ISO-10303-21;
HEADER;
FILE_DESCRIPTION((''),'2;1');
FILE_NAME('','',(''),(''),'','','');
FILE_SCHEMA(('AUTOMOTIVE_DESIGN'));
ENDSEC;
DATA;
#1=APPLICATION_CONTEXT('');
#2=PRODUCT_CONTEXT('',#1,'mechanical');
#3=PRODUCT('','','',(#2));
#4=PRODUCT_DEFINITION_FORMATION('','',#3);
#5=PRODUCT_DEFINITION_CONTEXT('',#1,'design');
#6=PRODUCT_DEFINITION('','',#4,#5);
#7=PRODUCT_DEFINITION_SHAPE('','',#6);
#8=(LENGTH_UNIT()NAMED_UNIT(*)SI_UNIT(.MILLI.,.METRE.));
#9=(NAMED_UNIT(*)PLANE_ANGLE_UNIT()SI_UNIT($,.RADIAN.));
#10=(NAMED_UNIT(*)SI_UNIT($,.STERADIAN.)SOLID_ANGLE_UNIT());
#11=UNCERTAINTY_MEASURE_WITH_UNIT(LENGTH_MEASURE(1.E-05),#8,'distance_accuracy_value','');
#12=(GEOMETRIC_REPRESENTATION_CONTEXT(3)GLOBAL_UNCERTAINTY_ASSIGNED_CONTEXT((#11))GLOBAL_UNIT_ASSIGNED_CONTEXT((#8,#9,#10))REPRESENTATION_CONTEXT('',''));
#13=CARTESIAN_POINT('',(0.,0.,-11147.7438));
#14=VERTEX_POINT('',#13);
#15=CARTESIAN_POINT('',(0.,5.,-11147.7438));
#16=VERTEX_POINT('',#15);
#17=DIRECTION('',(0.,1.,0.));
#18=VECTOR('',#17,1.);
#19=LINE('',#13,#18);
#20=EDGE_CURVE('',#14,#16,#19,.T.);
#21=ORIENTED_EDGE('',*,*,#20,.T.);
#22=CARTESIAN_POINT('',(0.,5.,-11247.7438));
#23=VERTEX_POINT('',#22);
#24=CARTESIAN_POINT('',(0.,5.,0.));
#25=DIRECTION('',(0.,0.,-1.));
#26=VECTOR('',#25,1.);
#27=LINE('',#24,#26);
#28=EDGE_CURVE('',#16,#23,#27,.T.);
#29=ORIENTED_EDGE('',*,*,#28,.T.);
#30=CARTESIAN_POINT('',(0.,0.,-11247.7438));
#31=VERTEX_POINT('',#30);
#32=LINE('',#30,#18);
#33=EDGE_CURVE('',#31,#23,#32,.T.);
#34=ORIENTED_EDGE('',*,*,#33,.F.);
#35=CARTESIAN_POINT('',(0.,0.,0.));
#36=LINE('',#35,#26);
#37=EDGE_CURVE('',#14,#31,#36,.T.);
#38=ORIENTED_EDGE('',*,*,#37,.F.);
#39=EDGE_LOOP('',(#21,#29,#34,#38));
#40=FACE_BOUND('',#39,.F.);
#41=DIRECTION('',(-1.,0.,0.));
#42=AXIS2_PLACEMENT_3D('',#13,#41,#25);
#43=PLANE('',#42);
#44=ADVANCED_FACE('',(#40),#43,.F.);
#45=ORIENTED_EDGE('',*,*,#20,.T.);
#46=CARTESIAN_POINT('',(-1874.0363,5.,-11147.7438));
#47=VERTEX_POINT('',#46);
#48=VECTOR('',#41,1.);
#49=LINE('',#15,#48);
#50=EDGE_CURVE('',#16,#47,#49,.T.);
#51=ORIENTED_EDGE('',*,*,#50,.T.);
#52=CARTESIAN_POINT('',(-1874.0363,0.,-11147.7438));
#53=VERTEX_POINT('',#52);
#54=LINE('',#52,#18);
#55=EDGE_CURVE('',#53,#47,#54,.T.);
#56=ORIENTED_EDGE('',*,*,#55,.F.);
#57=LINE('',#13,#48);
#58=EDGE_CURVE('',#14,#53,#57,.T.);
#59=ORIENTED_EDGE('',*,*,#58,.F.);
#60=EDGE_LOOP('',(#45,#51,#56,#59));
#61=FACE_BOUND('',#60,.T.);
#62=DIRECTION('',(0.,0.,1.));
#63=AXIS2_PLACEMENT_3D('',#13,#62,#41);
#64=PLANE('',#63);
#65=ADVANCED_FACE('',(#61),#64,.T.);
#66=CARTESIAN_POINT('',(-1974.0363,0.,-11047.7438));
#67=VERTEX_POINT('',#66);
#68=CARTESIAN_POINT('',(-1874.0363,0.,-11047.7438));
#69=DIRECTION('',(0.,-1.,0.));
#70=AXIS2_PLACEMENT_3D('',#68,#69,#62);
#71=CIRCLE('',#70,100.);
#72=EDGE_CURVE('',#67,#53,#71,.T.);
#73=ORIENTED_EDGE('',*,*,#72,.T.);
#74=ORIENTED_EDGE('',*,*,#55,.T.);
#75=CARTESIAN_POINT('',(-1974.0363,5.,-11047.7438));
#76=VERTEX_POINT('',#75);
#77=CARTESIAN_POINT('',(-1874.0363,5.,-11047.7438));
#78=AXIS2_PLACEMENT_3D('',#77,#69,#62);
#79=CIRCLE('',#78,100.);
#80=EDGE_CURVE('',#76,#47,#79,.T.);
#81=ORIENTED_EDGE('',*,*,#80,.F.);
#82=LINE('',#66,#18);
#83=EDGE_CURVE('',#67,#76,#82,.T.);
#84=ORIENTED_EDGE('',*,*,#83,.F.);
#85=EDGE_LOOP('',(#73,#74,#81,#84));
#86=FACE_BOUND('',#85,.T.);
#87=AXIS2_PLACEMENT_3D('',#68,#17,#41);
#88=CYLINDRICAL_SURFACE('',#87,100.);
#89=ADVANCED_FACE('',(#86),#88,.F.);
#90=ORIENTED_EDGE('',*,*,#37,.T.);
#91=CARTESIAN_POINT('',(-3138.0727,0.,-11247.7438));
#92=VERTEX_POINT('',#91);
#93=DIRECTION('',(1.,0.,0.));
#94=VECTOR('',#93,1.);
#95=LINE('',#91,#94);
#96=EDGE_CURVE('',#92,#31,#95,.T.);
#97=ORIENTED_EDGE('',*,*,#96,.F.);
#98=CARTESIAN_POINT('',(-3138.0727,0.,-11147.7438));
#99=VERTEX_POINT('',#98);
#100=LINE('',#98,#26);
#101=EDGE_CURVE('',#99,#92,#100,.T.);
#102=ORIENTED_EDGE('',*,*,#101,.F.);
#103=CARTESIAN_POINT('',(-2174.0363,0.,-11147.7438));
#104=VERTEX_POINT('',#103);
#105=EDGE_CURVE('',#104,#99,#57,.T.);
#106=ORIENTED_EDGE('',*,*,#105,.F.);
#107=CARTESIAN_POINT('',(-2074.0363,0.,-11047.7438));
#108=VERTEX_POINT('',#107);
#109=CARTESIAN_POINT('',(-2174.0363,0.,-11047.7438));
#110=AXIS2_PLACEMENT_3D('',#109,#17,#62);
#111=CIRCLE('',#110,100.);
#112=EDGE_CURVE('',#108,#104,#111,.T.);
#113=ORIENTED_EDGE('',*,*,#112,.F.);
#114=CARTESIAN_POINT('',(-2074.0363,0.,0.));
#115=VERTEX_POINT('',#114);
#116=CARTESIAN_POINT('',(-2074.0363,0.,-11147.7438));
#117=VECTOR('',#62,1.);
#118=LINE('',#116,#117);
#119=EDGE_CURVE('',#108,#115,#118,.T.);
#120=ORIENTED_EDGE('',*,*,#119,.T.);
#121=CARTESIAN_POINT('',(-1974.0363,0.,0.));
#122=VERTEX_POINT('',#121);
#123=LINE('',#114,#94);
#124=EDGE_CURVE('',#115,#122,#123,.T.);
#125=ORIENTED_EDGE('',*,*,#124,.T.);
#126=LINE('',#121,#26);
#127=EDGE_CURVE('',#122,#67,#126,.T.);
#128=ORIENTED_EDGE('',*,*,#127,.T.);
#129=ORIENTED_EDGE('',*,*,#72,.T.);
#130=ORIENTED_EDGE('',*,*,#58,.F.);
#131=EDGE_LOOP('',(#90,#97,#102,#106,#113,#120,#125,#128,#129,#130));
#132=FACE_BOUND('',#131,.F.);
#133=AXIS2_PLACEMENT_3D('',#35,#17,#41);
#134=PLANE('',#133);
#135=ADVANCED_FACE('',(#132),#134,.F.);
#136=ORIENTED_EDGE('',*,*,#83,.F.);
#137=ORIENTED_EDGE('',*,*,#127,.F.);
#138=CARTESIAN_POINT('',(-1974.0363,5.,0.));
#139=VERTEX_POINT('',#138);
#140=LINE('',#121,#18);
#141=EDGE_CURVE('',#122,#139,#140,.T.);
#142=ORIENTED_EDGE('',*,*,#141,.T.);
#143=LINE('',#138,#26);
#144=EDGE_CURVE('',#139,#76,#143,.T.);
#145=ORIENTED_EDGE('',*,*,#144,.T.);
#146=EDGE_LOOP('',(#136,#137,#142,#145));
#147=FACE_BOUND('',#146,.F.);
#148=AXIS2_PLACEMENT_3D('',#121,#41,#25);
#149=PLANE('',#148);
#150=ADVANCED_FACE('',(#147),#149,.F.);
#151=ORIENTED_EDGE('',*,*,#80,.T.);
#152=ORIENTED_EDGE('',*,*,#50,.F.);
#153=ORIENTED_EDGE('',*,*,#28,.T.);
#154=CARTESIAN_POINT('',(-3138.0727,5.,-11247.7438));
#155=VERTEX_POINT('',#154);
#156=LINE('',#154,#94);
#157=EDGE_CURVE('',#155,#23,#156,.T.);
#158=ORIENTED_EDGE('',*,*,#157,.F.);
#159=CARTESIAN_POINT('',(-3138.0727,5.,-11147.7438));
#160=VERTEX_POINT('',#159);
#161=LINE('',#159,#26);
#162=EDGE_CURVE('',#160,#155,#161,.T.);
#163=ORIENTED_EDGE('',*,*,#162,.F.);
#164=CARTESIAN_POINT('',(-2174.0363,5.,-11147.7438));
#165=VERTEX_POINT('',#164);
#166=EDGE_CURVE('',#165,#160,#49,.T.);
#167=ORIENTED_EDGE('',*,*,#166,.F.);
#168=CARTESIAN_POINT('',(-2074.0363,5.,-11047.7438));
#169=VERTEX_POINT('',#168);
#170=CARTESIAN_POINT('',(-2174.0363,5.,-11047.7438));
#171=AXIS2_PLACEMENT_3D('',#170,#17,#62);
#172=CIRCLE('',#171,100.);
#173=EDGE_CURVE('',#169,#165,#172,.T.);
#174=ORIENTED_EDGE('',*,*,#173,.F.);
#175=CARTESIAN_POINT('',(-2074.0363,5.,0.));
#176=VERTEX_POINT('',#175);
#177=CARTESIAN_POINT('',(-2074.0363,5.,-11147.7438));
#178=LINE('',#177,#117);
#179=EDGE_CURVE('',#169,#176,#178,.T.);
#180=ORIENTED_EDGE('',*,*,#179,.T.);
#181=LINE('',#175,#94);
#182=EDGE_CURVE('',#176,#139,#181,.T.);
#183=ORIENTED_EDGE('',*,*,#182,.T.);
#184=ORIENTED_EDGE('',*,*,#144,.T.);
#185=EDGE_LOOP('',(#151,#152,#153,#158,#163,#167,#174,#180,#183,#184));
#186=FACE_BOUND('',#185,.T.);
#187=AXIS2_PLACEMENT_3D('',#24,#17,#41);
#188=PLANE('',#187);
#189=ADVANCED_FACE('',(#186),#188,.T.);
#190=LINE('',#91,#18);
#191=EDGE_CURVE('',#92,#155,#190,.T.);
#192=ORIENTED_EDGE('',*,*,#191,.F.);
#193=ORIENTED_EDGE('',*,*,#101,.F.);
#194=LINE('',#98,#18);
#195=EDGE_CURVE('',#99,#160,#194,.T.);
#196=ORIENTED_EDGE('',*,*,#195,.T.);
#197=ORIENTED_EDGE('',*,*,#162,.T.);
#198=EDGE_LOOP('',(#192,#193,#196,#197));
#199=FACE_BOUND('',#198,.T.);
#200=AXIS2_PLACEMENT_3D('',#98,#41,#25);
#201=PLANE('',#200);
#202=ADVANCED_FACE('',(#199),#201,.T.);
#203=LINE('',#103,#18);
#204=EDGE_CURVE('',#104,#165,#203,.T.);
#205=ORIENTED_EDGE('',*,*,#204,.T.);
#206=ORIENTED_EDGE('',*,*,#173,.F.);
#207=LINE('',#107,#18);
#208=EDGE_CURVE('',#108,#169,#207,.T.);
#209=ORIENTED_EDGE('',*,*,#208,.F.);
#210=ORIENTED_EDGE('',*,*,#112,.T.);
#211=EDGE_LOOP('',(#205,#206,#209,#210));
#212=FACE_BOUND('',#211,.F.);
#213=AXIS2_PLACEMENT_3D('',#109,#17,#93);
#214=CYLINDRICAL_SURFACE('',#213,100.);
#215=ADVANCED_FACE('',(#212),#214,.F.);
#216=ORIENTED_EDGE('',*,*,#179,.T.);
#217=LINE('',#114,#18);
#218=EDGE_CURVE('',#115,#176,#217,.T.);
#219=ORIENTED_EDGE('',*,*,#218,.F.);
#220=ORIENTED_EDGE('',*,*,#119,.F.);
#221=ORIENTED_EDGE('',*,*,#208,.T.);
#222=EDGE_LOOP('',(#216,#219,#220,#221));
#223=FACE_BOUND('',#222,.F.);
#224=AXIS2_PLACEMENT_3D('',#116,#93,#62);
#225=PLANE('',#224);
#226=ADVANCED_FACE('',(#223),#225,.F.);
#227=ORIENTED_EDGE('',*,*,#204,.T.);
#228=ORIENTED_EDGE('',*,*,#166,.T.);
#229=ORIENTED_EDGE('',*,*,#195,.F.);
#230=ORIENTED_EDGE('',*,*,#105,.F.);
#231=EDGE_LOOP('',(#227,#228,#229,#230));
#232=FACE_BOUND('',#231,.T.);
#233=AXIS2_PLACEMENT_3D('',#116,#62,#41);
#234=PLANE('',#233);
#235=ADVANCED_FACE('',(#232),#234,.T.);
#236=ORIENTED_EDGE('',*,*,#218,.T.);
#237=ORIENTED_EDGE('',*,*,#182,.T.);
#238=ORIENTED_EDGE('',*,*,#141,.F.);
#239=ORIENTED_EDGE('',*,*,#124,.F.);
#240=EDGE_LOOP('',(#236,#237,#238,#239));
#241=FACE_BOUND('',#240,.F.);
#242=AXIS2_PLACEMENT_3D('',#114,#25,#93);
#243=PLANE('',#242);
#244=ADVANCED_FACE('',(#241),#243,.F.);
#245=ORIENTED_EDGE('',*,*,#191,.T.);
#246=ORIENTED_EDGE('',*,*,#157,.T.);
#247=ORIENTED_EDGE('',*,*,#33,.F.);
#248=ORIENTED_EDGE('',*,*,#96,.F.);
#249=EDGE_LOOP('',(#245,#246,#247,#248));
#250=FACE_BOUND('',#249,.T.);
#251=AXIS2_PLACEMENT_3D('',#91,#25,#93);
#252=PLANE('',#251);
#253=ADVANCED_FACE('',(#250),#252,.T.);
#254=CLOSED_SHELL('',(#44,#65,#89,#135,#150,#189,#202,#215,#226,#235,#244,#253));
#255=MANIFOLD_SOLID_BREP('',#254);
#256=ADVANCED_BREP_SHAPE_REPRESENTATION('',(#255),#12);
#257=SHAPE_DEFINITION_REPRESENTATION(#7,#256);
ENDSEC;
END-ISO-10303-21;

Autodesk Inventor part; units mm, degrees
ref_plane "YZ Plane" through (0, 0, 0) normal (1, 0, 0) x (0, 1, 0)
ref_plane "XZ Plane" through (0, 0, 0) normal (0, 1, 0) x (-1, 0, 0)
ref_plane "XY Plane" through (0, 0, 0) normal (0, 0, 1) x (1, 0, 0)
sketch "Sketch1" plane through (0, 0, 0) normal (0, 1, 0) x (-1, 0, 0)
  line L0 (1974.0363, 0) -> (1974.0363, -11147.7438)
  line L1 (1974.0363, -11147.7438) -> (2074.0363, -11147.7438)
  line L2 (2074.0363, -11147.7438) -> (2074.0363, 0)
  line L3 (0, 0) -> (0, -12000)
  line L4 (3138.0727, -11247.7438) -> (0, -11247.7438)
  line L5 (0, -11247.7438) -> (0, -11147.7438)
  line L6 (0, -11147.7438) -> (3138.0727, -11147.7438)
  line L7 (3138.0727, -11147.7438) -> (3138.0727, -11247.7438)
  line L8 (3138.0727, 0) -> (3138.0727, -12000)
  line L9 (2074.0363, 0) -> (1974.0363, 0)
  point P0 (1974.0363, -9581.3845)
  point P1 (2074.0363, -9581.3845)
  dimension "d0" = 100
extrude "Extrusion1" add sketch "Sketch1" along normal blind 5
fillet "Fillet1" radius 100 2 edges at (-1974.0363, 2.5, -11147.7438) (-2074.0363, 2.5, -11147.7438)
properties part number "FloorStripe"
